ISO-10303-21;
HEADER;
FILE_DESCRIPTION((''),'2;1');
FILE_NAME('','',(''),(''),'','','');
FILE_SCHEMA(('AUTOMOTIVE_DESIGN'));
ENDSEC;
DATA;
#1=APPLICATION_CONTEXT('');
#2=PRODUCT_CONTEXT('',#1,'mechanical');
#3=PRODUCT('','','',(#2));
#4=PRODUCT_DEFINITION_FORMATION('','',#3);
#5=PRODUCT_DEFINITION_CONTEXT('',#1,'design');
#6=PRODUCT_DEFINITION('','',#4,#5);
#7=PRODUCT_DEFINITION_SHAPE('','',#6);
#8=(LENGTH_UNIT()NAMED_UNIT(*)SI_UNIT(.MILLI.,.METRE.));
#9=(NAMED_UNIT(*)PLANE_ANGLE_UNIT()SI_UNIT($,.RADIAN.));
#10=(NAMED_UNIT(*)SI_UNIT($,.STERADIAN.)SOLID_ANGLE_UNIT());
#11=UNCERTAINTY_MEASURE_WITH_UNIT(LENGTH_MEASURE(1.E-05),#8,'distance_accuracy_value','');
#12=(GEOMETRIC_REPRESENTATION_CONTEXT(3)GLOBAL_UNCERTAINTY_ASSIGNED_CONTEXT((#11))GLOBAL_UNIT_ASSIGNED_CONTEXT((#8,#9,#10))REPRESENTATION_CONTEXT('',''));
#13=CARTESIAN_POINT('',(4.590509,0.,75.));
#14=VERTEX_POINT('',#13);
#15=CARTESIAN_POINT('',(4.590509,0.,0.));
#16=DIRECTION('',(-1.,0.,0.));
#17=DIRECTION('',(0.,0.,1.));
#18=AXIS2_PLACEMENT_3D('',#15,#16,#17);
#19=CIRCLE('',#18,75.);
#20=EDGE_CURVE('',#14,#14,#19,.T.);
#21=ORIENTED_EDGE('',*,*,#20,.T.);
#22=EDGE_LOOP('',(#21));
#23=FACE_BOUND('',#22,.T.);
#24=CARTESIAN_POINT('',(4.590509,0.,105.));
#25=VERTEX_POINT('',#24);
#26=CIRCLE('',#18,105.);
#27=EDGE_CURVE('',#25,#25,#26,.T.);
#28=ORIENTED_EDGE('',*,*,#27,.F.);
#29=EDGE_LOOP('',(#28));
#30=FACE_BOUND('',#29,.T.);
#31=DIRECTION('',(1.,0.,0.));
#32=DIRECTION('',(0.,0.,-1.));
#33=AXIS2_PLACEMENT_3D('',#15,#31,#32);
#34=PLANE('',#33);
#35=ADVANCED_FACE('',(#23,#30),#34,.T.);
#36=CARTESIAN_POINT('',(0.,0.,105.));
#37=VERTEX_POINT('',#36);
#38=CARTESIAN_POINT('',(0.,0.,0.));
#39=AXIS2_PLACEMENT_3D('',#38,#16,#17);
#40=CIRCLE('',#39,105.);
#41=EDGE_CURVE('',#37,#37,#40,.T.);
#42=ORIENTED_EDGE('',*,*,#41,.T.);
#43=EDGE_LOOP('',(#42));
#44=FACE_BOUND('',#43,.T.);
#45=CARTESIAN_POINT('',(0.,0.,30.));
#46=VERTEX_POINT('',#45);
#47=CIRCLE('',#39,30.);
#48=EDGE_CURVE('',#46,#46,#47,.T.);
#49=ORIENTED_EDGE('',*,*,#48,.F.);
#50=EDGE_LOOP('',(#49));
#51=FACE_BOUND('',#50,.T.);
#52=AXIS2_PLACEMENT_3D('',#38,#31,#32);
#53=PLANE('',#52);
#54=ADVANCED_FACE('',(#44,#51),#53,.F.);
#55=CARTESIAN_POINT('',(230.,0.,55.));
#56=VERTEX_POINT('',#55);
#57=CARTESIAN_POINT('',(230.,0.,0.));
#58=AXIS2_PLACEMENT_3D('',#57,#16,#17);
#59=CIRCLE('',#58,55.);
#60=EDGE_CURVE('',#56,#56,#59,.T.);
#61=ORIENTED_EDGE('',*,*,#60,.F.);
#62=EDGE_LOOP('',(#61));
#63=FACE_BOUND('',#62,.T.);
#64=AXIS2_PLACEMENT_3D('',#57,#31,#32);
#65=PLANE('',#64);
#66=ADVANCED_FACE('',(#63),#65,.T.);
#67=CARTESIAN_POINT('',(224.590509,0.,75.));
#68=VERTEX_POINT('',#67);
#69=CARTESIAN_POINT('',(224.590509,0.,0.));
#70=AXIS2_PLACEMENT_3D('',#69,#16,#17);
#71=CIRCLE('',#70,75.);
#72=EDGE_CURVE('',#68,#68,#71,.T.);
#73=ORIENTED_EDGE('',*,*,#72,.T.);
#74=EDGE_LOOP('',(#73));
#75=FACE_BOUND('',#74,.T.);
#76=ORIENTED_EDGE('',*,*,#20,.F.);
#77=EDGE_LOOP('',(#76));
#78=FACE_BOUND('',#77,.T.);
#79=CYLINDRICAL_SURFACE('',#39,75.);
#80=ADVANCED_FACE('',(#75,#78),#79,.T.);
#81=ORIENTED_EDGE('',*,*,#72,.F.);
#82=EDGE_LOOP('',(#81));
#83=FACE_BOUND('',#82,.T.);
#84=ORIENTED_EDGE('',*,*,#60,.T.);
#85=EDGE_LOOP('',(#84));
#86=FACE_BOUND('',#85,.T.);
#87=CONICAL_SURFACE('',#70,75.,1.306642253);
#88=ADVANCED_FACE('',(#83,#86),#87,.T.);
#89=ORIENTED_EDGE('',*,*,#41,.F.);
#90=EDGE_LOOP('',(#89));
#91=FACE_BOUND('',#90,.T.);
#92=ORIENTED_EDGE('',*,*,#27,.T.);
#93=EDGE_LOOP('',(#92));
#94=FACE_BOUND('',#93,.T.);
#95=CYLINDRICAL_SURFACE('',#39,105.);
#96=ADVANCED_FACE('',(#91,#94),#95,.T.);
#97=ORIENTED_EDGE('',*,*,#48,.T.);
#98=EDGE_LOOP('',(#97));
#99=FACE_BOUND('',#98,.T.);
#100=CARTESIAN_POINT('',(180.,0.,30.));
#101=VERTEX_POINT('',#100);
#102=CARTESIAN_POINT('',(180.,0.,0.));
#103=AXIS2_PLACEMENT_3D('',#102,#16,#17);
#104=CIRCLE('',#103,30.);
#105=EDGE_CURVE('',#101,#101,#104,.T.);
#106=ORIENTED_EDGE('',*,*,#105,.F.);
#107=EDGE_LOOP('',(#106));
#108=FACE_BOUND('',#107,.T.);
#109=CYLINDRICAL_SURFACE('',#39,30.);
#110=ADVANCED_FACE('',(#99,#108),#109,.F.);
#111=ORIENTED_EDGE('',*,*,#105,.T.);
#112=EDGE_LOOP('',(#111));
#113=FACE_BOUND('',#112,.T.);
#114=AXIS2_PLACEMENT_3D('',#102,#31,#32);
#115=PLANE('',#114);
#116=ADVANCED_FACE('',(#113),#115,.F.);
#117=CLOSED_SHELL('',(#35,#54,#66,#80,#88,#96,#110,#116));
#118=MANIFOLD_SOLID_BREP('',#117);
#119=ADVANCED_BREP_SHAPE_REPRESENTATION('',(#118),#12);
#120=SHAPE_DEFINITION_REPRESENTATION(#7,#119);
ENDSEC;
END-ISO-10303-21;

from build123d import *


with BuildPart() as part:
    # Esquisse1 → Révolution1 (revolve)
    with BuildSketch(Plane.XY, mode=Mode.PRIVATE) as r_volution1_sk:
        Polygon((180, 30), (180, 0), (230, 0), (230, 55), (224.590509297, 75), (4.590509297, 75), (4.590509297, 105), (0, 105), (0, 30), align=None)
    revolve(r_volution1_sk.sketch.rotate(Axis((0, 0, 0), (1, 0, 0)), 90), axis=Axis((0, 0, 0), (1, 0, 0)))


solid = part.part
